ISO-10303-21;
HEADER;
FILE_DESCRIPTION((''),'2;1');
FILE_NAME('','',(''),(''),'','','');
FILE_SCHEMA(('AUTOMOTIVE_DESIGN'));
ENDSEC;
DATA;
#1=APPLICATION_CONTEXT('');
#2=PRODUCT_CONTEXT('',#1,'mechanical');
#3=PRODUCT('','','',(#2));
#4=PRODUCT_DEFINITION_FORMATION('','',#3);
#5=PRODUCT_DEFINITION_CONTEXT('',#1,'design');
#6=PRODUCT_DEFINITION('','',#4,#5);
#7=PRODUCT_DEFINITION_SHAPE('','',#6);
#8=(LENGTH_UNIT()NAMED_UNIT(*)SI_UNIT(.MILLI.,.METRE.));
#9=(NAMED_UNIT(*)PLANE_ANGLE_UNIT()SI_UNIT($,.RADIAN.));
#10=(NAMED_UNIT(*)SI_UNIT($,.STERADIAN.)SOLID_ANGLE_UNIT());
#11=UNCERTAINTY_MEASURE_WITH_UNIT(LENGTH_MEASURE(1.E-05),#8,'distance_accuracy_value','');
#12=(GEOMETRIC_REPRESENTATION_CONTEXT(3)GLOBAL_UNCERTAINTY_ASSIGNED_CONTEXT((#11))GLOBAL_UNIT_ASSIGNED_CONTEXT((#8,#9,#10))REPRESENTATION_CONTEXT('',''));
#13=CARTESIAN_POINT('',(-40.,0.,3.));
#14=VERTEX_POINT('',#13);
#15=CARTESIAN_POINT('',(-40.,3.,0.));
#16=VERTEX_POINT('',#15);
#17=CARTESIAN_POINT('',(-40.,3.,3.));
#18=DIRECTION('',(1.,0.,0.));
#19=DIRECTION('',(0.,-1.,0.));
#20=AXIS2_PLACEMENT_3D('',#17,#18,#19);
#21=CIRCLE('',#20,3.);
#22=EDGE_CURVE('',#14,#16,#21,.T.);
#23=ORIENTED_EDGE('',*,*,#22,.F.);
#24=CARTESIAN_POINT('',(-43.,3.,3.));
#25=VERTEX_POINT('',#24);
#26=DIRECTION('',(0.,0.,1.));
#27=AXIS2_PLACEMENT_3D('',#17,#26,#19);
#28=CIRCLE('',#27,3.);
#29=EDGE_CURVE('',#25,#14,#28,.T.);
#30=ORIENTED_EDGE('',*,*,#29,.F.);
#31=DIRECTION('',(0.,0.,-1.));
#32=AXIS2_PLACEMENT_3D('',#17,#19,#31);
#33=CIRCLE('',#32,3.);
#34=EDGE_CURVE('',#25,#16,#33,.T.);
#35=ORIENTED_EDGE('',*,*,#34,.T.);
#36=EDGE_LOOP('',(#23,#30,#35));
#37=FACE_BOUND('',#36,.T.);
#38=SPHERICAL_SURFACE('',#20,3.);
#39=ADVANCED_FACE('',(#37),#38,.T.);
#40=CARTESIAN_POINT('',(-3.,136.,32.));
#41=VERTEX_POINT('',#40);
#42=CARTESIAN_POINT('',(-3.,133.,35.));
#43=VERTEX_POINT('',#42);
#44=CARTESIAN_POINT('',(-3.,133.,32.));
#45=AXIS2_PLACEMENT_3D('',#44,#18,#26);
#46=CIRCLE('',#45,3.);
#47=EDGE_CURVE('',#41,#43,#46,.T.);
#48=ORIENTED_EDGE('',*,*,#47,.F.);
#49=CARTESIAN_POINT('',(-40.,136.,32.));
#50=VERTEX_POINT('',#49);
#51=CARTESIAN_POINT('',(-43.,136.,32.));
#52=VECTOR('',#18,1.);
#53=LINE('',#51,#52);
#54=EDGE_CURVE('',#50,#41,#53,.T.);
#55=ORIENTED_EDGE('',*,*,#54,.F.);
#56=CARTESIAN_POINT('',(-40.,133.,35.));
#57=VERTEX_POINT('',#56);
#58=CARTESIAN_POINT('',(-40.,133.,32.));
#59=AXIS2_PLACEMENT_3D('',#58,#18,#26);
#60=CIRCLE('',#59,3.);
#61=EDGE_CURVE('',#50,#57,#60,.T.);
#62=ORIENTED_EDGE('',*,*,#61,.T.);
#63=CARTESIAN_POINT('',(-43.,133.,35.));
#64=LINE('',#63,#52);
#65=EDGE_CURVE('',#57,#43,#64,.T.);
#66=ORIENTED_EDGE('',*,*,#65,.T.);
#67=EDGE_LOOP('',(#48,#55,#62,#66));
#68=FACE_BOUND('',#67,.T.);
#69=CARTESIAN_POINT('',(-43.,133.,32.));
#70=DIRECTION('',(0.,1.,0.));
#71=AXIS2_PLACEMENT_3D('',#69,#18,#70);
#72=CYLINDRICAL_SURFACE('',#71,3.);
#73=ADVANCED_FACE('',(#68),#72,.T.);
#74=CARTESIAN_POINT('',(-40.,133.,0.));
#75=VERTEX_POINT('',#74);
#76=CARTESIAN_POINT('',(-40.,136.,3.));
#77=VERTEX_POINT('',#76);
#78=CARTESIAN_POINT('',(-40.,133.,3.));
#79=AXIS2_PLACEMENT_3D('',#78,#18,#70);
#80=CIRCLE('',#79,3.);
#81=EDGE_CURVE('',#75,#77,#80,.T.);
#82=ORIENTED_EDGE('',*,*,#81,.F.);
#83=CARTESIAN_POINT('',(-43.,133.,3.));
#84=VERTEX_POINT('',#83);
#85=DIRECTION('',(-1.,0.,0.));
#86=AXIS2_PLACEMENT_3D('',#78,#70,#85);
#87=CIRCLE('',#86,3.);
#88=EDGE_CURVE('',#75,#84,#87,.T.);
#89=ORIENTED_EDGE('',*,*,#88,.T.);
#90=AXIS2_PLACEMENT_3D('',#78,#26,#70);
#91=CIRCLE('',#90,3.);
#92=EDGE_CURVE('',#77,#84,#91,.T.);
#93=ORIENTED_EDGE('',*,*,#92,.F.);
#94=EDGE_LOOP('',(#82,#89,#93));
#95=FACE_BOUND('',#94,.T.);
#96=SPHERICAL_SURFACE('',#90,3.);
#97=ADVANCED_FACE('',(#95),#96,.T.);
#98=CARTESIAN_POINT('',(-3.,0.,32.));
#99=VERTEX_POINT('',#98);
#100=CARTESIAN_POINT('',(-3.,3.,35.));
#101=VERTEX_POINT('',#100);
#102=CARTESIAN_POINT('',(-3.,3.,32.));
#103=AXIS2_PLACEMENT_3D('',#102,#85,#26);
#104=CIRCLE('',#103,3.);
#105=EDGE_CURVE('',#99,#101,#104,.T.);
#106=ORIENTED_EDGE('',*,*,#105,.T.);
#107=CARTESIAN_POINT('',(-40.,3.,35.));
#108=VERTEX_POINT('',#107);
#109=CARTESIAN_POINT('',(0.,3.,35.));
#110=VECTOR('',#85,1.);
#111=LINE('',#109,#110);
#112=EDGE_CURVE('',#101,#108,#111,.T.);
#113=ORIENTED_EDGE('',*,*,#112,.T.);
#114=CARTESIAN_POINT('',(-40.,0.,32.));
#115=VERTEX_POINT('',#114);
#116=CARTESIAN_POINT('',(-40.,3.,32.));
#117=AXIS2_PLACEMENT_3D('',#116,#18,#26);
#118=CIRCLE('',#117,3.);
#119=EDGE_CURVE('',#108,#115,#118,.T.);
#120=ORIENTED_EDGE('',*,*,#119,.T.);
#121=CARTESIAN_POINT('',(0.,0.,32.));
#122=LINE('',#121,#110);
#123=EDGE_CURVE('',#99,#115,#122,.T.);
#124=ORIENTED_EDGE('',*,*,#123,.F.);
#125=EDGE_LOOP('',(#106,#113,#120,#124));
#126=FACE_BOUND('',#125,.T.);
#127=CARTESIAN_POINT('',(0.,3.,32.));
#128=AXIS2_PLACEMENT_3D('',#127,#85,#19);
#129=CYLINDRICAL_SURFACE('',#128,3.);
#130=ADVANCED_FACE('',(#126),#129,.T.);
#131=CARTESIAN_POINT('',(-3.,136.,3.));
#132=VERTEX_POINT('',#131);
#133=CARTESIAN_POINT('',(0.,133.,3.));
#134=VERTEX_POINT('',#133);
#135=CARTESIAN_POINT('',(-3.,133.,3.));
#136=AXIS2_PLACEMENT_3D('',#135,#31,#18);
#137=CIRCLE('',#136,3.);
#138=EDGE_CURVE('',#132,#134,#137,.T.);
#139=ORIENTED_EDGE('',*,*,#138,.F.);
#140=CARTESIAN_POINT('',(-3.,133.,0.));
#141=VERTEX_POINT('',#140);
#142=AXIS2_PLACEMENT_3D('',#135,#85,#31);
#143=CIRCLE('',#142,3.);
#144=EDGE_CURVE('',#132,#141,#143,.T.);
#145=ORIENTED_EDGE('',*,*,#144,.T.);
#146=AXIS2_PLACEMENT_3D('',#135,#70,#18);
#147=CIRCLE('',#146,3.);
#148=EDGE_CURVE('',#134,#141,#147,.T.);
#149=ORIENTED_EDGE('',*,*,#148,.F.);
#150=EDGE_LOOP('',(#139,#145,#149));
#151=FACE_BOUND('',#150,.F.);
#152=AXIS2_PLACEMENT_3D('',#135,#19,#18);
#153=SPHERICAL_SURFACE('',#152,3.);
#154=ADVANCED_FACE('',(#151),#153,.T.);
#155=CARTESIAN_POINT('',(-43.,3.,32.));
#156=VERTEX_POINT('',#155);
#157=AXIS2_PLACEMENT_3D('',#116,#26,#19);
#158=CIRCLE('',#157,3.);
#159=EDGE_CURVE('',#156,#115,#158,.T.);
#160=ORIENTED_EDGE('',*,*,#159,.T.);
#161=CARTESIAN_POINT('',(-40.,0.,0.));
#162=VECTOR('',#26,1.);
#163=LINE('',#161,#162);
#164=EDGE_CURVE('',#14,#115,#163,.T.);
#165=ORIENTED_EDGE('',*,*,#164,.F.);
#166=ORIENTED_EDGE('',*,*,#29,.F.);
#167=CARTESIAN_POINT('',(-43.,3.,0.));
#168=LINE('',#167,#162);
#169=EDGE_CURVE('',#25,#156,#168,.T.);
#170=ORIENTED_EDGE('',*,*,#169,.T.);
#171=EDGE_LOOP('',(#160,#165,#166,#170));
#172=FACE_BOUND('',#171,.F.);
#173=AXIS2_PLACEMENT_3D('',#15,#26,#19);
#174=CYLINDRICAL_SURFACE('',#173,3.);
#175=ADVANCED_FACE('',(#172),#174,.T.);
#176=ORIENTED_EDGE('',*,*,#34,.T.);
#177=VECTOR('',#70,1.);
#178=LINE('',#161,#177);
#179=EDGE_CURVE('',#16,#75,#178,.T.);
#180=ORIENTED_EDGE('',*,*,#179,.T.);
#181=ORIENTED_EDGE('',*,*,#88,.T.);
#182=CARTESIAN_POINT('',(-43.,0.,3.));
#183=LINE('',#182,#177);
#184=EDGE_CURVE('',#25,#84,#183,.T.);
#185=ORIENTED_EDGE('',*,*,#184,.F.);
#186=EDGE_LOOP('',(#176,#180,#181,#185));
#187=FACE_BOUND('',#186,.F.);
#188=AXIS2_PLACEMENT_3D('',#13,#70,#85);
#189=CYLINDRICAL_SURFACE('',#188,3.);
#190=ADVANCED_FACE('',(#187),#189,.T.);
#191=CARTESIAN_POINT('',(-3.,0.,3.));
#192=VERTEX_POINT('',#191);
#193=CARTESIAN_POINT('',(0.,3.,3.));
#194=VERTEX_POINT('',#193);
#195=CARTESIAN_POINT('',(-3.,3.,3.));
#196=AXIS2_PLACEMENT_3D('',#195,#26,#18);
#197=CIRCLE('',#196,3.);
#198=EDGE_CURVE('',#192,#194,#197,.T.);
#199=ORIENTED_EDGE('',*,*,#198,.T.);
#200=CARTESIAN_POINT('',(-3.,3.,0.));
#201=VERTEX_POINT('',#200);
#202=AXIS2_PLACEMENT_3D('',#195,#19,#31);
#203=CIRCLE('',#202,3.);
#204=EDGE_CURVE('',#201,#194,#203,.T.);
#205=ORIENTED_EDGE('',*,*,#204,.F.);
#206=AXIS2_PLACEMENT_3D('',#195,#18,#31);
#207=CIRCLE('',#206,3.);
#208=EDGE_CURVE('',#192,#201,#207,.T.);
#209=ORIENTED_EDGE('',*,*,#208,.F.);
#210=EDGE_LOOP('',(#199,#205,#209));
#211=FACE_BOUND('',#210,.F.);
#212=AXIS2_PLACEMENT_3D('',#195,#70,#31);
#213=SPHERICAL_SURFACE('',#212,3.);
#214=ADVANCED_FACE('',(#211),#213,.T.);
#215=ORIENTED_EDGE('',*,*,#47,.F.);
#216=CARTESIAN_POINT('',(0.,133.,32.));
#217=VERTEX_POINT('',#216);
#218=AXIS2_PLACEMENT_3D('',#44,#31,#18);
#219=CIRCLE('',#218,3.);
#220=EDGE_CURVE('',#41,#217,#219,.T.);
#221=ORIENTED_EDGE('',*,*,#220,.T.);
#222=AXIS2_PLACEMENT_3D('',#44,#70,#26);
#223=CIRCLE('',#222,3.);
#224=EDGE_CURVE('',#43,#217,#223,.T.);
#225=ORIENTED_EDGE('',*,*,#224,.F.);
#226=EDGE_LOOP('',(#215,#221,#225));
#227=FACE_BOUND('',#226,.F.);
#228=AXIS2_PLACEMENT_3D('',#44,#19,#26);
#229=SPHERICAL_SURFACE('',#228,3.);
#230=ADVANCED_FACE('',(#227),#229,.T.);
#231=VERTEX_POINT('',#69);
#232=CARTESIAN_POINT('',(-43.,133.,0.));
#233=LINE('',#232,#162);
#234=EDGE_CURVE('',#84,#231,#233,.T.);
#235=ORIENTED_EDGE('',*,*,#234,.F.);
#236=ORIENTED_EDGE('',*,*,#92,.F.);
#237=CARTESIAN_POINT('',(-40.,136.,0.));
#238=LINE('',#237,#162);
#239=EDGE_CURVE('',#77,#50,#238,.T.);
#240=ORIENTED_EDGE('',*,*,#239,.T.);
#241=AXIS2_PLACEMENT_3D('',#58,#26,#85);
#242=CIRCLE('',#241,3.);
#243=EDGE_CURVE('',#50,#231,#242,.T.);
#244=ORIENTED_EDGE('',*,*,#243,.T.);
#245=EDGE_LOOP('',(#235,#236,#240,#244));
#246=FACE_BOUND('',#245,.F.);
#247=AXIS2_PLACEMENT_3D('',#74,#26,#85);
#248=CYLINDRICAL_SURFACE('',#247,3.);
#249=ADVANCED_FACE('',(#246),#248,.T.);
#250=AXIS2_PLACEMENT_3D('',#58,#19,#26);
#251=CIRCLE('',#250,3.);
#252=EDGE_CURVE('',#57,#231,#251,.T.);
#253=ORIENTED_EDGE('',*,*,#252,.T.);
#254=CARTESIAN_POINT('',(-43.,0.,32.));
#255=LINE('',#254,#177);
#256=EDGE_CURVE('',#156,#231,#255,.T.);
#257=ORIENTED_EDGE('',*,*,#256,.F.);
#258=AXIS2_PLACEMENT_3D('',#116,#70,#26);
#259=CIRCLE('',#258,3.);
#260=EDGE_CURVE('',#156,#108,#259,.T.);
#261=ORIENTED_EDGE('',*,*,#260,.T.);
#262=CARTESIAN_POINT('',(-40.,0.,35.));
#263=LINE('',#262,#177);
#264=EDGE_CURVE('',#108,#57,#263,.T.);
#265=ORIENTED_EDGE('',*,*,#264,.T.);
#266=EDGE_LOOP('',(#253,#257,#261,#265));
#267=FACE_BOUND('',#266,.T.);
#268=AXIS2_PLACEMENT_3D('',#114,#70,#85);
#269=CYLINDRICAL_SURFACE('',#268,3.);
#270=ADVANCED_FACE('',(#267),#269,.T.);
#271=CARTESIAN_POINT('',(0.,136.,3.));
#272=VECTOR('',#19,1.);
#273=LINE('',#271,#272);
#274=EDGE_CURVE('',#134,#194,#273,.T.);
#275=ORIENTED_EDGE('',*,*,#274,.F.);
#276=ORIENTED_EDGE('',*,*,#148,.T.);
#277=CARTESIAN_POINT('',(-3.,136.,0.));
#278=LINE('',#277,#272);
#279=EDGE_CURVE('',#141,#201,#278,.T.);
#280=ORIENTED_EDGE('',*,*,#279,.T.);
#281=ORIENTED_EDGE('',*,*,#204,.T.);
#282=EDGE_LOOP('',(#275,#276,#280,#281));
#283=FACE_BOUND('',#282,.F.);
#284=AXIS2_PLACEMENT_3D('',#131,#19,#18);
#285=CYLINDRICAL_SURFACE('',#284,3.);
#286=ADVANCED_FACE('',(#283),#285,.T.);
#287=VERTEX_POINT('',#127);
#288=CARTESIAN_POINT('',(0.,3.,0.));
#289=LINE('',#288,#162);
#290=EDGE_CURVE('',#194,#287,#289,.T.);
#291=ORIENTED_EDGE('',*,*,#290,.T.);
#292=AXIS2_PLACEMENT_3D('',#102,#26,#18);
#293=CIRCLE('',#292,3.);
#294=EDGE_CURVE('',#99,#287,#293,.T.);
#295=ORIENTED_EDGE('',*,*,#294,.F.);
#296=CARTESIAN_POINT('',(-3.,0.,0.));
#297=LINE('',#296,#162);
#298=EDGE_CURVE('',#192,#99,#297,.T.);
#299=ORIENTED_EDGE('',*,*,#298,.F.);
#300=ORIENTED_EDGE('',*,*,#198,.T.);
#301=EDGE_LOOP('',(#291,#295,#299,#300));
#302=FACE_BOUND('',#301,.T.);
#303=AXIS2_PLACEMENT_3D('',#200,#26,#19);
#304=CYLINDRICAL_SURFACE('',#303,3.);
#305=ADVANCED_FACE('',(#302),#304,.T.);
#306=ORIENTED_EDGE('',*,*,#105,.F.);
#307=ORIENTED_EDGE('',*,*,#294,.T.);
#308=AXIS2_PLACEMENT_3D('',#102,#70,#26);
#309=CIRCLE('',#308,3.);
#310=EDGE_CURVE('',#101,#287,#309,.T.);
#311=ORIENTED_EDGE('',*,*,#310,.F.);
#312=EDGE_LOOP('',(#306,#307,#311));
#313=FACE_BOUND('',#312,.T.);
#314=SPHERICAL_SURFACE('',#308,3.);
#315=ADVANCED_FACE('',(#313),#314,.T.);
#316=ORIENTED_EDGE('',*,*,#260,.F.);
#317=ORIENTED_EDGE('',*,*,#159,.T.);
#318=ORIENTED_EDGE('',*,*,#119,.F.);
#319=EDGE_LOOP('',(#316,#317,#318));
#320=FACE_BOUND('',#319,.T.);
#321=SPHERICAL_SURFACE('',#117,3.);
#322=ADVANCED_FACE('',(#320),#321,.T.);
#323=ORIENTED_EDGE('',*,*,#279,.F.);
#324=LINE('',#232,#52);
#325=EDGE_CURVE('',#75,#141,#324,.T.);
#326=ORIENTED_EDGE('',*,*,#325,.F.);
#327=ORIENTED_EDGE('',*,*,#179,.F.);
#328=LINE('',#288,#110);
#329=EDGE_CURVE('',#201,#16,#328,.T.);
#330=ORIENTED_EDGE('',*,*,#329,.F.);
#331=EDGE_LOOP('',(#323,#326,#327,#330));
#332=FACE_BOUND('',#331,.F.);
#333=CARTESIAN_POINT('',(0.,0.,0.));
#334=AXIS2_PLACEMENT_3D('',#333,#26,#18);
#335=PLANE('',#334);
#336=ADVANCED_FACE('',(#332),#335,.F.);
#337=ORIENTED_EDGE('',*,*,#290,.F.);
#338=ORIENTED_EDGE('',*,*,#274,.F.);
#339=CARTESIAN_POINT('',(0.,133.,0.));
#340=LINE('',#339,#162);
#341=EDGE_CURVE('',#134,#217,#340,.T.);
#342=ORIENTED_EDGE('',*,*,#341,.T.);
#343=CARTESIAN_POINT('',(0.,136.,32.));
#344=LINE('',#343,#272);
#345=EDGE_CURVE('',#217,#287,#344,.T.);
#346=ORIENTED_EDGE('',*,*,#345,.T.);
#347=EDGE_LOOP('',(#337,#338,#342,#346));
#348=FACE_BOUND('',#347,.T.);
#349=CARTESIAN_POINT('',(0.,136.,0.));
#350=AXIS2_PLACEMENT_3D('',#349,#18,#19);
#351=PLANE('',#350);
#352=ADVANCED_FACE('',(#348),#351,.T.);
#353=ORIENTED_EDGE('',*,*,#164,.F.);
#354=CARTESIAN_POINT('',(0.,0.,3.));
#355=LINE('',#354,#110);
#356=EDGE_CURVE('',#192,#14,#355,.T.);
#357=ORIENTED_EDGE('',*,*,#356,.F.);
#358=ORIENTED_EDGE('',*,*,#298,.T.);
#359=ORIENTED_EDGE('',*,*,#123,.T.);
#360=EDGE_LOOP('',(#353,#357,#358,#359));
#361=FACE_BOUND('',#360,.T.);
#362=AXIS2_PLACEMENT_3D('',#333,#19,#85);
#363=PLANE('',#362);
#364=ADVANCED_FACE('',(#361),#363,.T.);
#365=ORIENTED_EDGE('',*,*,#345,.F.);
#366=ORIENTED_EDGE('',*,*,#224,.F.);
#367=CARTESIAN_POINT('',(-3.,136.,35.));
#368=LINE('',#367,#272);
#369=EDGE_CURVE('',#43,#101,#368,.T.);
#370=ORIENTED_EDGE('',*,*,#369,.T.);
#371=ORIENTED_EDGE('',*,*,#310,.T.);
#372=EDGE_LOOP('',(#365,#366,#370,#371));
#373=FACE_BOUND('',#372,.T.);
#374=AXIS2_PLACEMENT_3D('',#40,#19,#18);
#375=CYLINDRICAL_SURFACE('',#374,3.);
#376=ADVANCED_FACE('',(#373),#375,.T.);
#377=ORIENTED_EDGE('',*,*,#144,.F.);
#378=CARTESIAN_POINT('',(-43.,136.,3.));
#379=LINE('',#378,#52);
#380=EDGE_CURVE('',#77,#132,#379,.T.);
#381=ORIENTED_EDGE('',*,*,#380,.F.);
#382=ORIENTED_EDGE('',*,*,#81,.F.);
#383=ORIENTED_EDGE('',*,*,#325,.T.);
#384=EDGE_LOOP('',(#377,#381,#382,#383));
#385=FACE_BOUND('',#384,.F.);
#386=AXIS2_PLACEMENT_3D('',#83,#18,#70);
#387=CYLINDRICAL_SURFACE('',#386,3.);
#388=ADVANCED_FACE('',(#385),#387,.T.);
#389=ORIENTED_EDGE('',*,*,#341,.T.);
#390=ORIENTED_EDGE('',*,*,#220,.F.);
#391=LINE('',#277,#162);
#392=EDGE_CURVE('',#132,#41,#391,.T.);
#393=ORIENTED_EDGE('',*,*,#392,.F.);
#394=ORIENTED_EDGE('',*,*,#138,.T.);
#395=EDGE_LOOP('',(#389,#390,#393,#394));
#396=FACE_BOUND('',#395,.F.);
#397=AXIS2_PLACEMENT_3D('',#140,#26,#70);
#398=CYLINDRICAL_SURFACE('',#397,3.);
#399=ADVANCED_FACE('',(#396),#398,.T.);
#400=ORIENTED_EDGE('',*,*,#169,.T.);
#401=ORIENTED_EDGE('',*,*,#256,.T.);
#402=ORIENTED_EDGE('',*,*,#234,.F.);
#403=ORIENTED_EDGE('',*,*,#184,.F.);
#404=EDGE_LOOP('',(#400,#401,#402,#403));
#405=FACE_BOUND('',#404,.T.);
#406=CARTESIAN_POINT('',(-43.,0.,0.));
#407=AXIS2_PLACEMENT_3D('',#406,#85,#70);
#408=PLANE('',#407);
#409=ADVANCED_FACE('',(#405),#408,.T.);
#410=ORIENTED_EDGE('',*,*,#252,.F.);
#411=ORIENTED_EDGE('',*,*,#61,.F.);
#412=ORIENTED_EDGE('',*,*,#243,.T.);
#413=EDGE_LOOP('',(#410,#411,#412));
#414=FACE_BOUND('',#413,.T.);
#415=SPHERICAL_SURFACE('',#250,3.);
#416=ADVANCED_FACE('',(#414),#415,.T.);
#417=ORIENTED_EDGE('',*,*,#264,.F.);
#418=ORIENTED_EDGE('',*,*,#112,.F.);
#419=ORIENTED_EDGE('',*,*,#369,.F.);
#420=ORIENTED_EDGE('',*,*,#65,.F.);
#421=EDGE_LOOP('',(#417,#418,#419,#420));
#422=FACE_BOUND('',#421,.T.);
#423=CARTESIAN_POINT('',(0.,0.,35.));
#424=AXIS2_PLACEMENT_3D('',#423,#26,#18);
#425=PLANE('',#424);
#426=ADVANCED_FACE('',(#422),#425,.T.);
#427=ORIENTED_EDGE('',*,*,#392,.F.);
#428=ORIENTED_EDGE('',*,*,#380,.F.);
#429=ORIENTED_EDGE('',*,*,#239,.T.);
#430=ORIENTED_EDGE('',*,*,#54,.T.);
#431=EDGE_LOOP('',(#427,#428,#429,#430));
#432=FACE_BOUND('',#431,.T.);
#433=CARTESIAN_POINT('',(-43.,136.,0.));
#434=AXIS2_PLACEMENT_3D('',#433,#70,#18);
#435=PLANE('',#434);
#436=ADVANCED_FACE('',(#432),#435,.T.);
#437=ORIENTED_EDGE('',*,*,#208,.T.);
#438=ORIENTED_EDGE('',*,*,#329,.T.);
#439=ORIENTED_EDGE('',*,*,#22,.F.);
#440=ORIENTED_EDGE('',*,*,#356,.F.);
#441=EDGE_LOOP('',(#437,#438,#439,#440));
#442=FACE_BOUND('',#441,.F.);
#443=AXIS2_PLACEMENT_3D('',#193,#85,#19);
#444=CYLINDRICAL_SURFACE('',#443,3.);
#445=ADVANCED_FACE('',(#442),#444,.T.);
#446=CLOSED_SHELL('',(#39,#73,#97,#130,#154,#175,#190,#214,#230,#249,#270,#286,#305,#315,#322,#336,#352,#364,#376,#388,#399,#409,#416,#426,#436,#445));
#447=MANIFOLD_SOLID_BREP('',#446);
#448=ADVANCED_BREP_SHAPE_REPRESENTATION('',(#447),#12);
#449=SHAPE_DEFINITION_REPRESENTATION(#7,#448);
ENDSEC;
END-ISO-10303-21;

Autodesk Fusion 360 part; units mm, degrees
sketch "Skizze1" plane through (0, 0, 0) normal (0, 0, 1) x (1, 0, 0)
  line L0 (0, 0) -> (-43, 0)
  line L1 (-43, 0) -> (-43, 136)
  line L2 (-43, 136) -> (0, 136)
  line L3 (0, 136) -> (0, 0)
  dimension "d1" = 43
  dimension "d2" = 136
extrude "Extrusion1" add sketch "Skizze1" along normal blind 35
fillet "Abrundung1" radius 3 12 edges at (0, 68, 35) (-21.5, 0, 35) (-43, 68, 35) (-21.5, 136, 35) (0, 68, 0) (-21.5, 0, 0) (0, 0, 17.5) (-43, 0, 17.5) (0, 136, 17.5) (-43, 136, 17.5) (-21.5, 136, 0) (-43, 68, 0)
